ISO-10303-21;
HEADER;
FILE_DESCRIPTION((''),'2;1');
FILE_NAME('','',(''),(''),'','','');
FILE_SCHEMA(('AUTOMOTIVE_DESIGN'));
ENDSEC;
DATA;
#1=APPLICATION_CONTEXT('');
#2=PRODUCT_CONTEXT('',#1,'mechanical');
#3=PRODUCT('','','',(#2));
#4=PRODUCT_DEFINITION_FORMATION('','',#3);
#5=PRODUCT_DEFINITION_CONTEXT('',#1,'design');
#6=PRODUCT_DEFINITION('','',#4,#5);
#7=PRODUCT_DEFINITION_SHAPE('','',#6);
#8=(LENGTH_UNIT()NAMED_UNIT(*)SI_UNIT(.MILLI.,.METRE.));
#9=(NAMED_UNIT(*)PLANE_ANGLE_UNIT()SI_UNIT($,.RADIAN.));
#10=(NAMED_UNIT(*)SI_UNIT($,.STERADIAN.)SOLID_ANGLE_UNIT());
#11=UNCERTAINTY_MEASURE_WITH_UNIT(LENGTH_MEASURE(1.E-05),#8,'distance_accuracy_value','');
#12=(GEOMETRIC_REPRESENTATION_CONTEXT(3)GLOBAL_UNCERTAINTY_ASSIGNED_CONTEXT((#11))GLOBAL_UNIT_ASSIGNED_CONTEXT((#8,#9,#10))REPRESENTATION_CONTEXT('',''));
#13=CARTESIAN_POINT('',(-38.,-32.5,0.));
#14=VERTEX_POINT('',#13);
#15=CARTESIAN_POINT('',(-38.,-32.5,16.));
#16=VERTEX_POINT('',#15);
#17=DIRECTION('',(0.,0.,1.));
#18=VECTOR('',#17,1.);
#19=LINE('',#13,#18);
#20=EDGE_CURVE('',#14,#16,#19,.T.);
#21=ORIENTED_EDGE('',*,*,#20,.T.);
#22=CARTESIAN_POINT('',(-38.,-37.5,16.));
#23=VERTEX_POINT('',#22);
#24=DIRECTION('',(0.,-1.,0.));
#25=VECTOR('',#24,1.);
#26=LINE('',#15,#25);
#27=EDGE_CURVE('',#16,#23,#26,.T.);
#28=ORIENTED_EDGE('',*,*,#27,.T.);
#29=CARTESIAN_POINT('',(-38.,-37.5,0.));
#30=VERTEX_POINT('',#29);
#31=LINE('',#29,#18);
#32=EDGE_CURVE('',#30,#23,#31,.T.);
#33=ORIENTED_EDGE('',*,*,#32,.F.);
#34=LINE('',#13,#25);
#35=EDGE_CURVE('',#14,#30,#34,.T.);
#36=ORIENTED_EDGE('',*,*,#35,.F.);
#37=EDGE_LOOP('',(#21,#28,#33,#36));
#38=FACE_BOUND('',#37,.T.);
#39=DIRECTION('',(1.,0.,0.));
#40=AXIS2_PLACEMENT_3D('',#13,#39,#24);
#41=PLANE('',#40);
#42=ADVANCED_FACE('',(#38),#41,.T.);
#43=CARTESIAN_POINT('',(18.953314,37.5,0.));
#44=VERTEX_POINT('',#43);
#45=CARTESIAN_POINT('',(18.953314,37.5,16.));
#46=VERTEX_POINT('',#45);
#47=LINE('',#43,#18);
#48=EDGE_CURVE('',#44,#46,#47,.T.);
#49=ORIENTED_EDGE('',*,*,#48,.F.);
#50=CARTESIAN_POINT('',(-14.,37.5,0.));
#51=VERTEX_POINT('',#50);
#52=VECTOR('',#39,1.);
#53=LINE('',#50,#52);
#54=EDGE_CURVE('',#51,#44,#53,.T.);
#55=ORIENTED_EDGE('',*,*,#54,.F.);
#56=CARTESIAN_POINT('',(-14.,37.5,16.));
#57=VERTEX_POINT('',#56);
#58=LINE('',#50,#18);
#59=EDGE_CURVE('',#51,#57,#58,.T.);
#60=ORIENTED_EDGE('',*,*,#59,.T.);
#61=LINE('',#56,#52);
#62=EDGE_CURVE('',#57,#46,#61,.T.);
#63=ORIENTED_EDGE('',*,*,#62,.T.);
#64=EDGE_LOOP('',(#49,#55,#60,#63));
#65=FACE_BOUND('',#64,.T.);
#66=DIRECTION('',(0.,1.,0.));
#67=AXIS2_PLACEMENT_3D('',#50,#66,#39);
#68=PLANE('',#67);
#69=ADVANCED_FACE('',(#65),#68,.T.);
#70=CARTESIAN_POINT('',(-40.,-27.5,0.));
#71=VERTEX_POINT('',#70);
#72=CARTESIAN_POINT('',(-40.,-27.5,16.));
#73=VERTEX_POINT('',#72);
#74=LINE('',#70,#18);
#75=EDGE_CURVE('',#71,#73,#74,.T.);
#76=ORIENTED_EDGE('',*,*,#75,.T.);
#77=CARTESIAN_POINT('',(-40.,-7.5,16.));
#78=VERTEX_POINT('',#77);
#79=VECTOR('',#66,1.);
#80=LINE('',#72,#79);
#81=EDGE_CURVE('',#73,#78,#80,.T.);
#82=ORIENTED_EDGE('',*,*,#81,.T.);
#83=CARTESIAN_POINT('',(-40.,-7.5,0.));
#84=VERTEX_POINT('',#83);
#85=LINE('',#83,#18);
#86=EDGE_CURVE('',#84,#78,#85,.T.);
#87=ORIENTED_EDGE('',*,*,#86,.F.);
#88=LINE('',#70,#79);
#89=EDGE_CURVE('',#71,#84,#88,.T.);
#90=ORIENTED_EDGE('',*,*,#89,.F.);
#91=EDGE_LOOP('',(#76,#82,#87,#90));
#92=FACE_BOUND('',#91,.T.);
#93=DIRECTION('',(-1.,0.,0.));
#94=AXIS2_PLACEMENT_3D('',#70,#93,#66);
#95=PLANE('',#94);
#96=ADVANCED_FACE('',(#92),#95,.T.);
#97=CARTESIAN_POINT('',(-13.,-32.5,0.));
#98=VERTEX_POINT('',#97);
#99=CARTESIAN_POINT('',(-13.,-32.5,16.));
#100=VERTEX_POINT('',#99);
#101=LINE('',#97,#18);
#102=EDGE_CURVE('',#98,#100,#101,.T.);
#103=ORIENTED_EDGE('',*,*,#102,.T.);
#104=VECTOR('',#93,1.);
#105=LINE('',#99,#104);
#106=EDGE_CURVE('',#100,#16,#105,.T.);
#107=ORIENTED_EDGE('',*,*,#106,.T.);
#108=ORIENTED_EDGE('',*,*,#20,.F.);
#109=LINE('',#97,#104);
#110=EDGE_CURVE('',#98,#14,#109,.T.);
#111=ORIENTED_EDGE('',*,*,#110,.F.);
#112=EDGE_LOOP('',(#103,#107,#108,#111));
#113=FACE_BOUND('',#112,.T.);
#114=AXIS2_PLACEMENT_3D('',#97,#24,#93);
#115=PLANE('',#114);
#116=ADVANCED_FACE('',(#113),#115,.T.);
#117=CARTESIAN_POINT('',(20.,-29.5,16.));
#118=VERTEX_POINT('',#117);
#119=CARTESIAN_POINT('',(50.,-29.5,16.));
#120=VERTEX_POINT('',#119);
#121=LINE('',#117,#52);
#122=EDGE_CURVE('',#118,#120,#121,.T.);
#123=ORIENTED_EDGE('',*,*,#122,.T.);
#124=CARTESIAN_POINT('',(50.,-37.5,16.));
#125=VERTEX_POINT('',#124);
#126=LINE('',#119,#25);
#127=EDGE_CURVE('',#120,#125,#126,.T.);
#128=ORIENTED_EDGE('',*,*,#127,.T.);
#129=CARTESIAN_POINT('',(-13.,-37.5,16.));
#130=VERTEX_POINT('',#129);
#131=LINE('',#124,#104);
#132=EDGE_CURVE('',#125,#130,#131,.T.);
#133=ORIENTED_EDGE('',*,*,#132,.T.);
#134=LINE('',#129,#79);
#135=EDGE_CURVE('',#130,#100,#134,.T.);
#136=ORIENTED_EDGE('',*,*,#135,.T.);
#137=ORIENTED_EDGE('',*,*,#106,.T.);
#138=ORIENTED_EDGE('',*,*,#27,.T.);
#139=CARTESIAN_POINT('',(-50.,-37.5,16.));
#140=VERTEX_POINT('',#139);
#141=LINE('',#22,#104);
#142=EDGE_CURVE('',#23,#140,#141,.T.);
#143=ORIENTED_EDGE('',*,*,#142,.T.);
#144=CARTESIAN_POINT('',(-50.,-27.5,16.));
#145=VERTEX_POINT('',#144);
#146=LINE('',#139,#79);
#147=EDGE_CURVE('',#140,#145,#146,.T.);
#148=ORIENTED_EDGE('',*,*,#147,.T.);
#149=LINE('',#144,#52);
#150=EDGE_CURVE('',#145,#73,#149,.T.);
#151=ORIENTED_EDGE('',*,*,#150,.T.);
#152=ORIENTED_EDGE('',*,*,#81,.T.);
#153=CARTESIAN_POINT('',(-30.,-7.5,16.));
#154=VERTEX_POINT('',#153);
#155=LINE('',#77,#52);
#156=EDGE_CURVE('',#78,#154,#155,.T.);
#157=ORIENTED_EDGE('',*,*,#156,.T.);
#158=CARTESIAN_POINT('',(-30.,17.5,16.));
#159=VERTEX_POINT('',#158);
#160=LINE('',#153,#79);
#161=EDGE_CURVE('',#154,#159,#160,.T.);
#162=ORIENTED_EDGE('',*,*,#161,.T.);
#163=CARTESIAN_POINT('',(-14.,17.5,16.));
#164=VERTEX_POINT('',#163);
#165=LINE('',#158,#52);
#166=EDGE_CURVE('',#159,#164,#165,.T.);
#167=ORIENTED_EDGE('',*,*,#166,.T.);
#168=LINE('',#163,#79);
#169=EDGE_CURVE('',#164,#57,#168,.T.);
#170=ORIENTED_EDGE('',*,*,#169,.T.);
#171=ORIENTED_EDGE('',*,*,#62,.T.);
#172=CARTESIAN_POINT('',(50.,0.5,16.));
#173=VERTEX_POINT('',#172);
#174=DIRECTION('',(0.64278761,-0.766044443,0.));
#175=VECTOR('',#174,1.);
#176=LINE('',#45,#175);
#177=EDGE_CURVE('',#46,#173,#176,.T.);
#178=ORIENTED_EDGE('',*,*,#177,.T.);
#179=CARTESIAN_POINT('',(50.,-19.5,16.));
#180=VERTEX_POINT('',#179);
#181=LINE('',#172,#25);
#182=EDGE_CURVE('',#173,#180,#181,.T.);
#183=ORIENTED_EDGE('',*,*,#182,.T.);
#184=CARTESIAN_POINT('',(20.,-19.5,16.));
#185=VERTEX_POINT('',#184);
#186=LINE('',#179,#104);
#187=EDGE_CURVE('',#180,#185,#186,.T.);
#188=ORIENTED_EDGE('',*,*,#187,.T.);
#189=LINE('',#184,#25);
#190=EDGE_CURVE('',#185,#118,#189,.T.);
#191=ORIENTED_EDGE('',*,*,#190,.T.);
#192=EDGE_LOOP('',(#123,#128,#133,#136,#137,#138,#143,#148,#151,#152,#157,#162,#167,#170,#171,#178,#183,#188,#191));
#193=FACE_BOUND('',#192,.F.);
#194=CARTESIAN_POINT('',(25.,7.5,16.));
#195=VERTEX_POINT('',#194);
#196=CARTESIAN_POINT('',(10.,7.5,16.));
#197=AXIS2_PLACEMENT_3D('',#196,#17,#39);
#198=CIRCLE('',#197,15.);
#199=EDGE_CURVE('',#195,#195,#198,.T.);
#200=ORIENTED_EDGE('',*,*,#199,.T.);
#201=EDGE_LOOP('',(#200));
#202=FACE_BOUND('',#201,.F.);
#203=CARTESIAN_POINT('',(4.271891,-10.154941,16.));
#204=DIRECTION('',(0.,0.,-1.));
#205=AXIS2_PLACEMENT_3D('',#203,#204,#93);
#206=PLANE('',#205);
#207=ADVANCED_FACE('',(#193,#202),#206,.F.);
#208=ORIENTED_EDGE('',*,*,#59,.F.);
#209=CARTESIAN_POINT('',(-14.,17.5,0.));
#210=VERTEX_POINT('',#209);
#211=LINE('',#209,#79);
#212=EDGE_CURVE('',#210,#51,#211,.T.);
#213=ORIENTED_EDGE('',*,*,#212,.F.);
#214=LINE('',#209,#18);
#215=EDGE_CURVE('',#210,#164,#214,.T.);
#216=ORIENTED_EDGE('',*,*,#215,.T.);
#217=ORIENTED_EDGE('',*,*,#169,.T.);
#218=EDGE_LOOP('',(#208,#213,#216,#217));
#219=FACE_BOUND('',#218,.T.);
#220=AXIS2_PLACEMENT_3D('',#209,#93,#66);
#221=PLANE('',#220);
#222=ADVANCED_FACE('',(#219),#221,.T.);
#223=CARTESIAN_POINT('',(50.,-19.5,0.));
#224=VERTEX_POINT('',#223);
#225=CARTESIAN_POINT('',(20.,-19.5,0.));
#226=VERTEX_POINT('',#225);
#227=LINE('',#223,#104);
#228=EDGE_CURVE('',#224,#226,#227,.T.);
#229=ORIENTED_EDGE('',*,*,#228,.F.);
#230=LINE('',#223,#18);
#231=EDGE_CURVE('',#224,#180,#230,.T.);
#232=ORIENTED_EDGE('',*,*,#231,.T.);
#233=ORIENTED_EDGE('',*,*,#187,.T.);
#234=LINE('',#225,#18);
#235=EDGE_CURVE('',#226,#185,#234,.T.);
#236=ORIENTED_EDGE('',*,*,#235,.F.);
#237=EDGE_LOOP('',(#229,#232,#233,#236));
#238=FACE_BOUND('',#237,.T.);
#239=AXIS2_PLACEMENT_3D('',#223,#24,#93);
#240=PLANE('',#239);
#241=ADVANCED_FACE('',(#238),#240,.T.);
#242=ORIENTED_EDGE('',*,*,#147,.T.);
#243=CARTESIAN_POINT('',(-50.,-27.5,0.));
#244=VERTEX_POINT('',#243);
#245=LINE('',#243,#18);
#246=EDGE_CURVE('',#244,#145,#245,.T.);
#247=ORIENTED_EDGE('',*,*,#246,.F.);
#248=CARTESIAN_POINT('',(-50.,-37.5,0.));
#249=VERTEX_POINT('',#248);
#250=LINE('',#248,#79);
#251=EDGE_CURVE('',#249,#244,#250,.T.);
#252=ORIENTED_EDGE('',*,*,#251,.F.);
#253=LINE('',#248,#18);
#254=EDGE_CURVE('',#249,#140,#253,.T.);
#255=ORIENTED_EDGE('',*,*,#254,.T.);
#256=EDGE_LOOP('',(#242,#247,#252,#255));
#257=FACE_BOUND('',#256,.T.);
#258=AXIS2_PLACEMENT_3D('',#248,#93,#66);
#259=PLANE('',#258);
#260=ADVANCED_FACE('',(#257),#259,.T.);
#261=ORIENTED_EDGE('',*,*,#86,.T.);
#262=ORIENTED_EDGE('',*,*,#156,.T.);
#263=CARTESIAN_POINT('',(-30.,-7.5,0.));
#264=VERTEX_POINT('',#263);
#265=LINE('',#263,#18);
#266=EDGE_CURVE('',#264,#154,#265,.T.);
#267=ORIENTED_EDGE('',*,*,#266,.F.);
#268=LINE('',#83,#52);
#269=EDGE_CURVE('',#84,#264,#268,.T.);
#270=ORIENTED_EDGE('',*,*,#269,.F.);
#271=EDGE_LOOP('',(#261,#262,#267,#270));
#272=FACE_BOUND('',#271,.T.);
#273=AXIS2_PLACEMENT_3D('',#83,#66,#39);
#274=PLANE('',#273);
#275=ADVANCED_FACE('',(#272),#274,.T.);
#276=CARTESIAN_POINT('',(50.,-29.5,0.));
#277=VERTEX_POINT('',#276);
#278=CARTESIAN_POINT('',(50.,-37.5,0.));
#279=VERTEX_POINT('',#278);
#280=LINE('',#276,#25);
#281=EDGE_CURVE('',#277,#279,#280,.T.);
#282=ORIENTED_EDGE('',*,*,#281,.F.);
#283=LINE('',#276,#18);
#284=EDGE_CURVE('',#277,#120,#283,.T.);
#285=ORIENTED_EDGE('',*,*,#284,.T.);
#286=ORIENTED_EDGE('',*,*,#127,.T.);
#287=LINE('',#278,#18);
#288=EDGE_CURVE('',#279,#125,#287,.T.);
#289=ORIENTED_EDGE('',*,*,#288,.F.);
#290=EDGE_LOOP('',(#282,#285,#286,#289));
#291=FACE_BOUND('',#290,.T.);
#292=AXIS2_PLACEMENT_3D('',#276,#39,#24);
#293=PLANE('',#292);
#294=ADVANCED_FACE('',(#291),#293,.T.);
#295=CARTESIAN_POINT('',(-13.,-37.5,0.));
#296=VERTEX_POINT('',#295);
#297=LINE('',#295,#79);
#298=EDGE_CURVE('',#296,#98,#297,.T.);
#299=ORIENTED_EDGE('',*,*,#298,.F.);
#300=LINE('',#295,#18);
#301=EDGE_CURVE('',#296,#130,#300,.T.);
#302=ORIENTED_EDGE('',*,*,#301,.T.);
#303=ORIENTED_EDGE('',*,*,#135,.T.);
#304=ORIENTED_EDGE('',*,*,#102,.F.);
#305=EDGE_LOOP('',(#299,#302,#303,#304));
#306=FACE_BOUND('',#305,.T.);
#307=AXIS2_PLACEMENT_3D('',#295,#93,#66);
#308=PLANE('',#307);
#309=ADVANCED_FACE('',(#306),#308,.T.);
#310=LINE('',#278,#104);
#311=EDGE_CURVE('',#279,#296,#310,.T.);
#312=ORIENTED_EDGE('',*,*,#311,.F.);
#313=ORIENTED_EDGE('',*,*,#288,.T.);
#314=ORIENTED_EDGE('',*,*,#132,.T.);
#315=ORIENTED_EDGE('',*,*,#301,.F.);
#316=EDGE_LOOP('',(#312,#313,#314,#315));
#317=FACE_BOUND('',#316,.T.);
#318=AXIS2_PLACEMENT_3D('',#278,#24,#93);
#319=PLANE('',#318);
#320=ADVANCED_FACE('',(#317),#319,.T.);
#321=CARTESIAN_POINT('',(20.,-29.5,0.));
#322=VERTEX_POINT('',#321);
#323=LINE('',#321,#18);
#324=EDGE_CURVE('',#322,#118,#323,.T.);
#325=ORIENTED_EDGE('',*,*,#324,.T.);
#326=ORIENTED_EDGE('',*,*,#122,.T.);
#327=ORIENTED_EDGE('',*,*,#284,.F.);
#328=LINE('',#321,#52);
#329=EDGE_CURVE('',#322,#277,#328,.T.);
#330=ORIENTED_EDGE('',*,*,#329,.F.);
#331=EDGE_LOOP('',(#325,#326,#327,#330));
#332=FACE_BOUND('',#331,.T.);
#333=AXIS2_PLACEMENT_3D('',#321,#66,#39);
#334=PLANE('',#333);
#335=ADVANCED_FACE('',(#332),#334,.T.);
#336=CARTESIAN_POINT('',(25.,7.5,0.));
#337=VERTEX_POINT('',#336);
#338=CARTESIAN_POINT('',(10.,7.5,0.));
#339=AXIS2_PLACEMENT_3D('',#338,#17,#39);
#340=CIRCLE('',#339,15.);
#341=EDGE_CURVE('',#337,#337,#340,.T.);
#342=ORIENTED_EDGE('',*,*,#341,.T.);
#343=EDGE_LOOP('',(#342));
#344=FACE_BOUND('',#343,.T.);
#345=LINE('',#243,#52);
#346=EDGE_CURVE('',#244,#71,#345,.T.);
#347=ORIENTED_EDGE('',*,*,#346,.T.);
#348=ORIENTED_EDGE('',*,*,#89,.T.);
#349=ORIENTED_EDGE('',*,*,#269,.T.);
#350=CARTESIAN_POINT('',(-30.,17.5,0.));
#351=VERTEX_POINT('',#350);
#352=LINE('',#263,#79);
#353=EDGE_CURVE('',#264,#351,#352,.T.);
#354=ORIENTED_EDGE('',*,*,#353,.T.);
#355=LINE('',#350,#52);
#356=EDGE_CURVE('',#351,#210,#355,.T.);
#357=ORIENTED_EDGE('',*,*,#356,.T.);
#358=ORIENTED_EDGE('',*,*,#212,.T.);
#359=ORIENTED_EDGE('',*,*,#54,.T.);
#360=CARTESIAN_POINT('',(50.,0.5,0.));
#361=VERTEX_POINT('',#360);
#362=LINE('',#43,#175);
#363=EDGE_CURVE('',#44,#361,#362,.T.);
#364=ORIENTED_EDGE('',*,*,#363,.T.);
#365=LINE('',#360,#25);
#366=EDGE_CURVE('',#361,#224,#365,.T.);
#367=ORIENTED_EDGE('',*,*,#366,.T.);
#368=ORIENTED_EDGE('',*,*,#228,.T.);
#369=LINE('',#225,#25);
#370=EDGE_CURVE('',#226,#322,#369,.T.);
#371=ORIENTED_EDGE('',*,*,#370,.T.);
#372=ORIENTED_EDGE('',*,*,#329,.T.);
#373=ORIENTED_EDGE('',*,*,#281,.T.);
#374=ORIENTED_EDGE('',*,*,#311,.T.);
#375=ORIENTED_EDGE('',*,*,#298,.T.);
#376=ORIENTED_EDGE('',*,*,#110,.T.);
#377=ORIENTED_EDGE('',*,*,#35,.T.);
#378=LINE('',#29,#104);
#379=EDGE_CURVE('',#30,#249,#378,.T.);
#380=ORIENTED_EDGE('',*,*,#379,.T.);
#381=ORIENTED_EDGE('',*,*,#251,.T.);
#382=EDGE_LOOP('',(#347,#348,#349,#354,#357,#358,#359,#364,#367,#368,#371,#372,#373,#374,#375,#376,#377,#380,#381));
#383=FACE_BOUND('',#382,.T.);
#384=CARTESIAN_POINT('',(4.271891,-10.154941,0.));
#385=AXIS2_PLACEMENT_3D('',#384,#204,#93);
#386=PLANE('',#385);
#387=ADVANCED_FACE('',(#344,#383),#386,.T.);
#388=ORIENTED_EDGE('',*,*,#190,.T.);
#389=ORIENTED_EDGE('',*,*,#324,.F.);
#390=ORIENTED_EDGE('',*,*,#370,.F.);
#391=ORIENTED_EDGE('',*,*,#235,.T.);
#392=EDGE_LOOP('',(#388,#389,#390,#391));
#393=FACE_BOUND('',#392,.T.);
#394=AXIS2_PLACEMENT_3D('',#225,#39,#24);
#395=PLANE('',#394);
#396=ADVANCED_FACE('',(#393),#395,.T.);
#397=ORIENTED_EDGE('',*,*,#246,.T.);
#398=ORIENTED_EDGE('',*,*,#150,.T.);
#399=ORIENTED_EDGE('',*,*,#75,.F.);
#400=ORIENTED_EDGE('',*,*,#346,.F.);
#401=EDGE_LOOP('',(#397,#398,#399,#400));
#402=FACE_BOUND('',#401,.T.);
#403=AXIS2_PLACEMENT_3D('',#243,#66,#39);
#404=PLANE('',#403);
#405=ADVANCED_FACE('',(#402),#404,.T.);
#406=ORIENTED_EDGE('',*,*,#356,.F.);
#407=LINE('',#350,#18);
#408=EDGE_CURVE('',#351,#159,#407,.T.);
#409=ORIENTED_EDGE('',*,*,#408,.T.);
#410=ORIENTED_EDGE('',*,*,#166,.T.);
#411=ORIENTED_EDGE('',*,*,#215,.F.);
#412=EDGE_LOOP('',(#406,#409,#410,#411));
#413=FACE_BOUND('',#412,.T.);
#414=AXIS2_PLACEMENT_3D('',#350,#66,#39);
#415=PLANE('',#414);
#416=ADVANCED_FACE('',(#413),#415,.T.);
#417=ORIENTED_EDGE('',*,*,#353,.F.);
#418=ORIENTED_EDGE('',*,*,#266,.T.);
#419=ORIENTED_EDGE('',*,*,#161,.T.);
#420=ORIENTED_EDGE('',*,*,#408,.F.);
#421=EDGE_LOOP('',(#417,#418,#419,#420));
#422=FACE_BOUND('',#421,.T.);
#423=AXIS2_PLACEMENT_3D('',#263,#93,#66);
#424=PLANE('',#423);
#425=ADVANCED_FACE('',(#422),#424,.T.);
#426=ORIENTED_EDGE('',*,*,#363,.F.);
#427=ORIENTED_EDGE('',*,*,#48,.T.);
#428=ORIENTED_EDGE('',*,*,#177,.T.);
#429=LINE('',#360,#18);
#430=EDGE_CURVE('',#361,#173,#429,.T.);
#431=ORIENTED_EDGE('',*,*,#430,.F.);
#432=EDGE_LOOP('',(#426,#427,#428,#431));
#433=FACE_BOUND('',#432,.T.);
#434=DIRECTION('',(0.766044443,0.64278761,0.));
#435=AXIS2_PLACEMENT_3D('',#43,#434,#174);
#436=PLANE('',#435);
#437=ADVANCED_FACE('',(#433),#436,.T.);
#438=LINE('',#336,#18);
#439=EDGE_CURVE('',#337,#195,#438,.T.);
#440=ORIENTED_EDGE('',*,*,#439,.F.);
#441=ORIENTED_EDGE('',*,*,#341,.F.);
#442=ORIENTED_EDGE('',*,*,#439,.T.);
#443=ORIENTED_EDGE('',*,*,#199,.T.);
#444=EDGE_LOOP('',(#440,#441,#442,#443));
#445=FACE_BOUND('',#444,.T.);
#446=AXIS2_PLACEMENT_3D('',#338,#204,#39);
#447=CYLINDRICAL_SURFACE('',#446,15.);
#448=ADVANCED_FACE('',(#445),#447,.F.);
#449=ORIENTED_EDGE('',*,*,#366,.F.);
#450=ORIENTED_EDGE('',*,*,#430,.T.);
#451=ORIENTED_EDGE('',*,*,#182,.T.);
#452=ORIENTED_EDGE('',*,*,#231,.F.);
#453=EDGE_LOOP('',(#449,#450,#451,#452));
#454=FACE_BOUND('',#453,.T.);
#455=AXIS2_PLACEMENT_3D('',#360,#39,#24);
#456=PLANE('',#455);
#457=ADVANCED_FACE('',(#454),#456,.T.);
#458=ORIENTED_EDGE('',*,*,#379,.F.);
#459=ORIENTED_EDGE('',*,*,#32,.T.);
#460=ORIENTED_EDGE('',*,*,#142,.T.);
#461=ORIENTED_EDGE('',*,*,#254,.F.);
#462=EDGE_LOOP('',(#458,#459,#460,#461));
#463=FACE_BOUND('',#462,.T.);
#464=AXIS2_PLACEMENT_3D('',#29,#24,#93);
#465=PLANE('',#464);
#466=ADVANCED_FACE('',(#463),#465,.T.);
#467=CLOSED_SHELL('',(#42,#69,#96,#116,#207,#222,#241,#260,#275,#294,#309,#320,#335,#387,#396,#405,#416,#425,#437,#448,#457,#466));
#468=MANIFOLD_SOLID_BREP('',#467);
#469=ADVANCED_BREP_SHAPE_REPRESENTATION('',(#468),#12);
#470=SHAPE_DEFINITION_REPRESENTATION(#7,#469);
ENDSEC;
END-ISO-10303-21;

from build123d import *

# Parameters (mm, degrees)
SKETCH2_R           = 15
BOSS_EXTRUDE1_DEPTH = 16


with BuildPart() as part:
    # Sketch2 → Boss-Extrude1 (new body)
    with BuildSketch(Plane.XY):
        Polygon((18.953313646, 37.5), (50, 0.5), (50, -19.5), (20, -19.5), (20, -29.5), (50, -29.5), (50, -37.5), (-13, -37.5), (-13, -32.5), (-38, -32.5), (-38, -37.5), (-50, -37.5), (-50, -27.5), (-40, -27.5), (-40, -7.5), (-30, -7.5), (-30, 17.5), (-14, 17.5), (-14, 37.5), align=None)
        with Locations((10, 7.5)):
            Circle(SKETCH2_R, mode=Mode.SUBTRACT)
    extrude(amount=BOSS_EXTRUDE1_DEPTH)


solid = part.part
